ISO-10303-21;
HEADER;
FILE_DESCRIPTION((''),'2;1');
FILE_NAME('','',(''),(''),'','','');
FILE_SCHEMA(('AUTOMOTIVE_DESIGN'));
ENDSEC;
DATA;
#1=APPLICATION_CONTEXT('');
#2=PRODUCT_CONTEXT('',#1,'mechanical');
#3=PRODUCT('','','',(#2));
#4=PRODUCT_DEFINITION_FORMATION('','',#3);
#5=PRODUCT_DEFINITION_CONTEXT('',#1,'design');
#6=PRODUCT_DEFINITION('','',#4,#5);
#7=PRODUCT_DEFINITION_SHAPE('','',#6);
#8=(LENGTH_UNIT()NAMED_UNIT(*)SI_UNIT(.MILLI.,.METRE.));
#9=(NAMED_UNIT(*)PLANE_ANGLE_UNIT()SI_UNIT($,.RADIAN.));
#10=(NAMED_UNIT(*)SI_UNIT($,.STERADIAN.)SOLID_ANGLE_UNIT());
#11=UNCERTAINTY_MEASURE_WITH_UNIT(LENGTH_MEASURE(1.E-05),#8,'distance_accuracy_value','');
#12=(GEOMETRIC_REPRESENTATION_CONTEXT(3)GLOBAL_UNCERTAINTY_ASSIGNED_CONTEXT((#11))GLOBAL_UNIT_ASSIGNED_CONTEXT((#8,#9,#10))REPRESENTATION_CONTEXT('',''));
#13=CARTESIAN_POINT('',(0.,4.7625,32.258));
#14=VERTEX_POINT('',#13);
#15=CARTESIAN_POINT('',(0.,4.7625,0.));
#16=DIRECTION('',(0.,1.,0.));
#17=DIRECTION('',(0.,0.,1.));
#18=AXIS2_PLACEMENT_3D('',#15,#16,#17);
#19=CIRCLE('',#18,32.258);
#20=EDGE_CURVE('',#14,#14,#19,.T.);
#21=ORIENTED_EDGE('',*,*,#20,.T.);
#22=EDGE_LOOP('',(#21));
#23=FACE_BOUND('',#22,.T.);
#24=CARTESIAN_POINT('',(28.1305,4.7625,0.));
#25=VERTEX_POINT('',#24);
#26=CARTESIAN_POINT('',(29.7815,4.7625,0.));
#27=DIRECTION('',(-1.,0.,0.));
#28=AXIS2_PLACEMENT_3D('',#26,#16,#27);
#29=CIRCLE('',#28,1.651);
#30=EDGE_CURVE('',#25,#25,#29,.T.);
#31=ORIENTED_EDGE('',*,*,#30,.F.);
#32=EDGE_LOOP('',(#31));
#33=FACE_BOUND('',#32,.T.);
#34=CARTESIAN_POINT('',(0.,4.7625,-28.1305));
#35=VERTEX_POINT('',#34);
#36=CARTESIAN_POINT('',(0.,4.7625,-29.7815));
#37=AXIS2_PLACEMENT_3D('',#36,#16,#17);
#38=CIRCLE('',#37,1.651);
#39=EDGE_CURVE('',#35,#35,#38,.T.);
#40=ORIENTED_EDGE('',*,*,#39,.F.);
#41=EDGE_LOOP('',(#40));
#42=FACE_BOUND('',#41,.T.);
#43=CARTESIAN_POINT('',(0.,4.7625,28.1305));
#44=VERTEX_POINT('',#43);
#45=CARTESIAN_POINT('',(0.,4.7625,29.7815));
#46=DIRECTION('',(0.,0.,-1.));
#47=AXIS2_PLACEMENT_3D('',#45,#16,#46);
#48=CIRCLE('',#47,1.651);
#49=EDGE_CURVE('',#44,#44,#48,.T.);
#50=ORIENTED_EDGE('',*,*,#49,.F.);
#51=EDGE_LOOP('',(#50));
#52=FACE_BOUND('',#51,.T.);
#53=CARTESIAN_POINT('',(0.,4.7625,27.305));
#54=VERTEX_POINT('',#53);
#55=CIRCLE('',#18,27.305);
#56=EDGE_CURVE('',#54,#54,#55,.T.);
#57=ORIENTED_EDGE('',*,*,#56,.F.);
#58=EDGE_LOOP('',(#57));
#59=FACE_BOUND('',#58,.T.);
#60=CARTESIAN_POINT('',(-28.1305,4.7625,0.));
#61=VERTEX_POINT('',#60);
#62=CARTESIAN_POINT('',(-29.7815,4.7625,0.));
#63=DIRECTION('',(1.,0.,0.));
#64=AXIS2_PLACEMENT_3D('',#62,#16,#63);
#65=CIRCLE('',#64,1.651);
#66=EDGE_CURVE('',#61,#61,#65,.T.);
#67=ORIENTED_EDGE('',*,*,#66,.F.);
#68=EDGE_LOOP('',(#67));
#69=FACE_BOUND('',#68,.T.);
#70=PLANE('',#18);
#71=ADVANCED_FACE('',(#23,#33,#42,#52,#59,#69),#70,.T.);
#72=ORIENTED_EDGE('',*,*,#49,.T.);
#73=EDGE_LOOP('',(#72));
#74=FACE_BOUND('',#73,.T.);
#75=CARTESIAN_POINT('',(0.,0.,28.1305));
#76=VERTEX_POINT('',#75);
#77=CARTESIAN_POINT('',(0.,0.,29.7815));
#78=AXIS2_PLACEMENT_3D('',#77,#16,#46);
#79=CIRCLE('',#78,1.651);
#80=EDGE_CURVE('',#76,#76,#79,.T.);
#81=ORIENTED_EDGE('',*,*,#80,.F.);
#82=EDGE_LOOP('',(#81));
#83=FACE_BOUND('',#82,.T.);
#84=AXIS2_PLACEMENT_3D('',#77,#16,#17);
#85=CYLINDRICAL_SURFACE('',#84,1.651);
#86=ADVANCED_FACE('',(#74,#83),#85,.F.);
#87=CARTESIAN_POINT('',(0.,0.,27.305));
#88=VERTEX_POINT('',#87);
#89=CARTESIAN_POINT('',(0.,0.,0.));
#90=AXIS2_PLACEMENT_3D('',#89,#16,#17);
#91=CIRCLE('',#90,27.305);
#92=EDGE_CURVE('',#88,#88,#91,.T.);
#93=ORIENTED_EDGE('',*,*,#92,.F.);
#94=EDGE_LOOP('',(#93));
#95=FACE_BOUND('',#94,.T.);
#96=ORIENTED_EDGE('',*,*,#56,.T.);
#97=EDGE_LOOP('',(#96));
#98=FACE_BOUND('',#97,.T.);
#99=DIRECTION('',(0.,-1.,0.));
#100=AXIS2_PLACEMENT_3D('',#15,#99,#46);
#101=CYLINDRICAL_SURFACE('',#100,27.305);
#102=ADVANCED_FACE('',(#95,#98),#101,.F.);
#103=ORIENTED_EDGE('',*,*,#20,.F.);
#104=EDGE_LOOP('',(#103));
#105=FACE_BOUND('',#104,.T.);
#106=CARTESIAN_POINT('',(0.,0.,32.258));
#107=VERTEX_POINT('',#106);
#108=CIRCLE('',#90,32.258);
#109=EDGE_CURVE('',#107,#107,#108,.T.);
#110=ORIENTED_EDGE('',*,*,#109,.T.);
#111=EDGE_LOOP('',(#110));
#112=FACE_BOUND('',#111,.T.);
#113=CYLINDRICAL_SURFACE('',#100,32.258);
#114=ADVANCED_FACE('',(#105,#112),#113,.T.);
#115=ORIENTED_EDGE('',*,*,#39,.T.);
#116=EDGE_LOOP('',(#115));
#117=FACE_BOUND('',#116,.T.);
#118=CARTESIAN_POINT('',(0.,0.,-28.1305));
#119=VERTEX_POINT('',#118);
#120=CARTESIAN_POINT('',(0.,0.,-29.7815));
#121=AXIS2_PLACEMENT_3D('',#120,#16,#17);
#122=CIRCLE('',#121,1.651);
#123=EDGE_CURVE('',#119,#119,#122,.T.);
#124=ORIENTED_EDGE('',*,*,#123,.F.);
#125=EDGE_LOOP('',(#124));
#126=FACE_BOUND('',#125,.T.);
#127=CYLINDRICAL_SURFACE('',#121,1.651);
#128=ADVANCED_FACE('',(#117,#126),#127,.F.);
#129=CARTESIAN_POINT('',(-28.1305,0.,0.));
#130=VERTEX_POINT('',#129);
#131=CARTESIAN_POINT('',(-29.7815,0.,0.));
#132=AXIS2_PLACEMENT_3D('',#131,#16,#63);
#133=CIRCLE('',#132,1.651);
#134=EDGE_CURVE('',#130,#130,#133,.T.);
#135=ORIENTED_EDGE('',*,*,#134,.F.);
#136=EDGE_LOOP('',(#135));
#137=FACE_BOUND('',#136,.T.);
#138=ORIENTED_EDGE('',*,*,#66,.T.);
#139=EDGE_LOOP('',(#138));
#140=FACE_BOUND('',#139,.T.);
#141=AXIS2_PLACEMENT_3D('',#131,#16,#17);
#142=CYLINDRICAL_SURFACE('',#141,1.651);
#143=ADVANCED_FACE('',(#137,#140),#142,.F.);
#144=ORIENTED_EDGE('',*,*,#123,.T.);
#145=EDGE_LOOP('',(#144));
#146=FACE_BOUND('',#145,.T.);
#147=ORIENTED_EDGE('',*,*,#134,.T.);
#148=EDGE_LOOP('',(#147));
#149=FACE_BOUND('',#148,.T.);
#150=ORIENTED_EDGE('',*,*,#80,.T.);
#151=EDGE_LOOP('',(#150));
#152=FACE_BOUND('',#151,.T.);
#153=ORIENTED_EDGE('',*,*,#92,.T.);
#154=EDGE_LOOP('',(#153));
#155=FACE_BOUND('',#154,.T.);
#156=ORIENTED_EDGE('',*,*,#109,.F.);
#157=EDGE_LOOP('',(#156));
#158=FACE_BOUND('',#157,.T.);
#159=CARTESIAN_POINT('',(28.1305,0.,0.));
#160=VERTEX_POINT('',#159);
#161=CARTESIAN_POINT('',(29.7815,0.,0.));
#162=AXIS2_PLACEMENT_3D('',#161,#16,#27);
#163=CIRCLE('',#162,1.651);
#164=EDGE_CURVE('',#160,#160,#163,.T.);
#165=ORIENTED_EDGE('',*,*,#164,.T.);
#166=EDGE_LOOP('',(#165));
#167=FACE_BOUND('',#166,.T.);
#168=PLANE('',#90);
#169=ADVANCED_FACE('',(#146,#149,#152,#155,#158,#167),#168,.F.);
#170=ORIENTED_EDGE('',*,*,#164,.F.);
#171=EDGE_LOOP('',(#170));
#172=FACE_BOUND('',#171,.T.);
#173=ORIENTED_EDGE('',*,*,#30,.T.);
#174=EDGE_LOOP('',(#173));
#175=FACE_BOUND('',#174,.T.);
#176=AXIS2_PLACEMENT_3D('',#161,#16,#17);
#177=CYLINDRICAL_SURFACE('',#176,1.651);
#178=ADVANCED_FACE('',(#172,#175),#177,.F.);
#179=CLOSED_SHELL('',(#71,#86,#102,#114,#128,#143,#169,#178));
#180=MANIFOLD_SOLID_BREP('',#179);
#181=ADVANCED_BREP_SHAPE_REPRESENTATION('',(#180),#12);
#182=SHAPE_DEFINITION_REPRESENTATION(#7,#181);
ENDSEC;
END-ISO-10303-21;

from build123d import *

# Parameters (mm, degrees)
SKETCH2_R           = 32.258
SKETCH2_R_2         = 27.305
BOSS_EXTRUDE1_DEPTH = 4.7625
SKETCH3_R           = 1.651
CUT_EXTRUDE1_DEPTH  = 5.7625
CIRPATTERN1_COUNT   = 4


with BuildPart() as part:
    # Sketch2 → Boss-Extrude1 (new body)
    with BuildSketch(Plane(origin=(0, 0, 0), x_dir=(1, 0, 0), z_dir=(0, 1, 0))):
        Circle(SKETCH2_R)
        Circle(SKETCH2_R_2, mode=Mode.SUBTRACT)
    extrude(amount=BOSS_EXTRUDE1_DEPTH)

    # Sketch3 → Cut-Extrude1 (cut, through all)
    with BuildSketch(Plane(origin=(0, 4.7625, 0), x_dir=(1, 0, 0), z_dir=(0, 1, 0))):
        with Locations((0, 29.7815)):
            Circle(SKETCH3_R)
    cut_extrude1 = extrude(amount=-CUT_EXTRUDE1_DEPTH, mode=Mode.SUBTRACT)

    # CirPattern1: Cut-Extrude1 ×4 about axis
    cirpattern1_axis = Axis((0, 0, 0), (0, 1, 0))
    for i in range(1, CIRPATTERN1_COUNT):
        add(cut_extrude1.rotate(cirpattern1_axis, i * 360 / CIRPATTERN1_COUNT), mode=Mode.SUBTRACT)


solid = part.part
